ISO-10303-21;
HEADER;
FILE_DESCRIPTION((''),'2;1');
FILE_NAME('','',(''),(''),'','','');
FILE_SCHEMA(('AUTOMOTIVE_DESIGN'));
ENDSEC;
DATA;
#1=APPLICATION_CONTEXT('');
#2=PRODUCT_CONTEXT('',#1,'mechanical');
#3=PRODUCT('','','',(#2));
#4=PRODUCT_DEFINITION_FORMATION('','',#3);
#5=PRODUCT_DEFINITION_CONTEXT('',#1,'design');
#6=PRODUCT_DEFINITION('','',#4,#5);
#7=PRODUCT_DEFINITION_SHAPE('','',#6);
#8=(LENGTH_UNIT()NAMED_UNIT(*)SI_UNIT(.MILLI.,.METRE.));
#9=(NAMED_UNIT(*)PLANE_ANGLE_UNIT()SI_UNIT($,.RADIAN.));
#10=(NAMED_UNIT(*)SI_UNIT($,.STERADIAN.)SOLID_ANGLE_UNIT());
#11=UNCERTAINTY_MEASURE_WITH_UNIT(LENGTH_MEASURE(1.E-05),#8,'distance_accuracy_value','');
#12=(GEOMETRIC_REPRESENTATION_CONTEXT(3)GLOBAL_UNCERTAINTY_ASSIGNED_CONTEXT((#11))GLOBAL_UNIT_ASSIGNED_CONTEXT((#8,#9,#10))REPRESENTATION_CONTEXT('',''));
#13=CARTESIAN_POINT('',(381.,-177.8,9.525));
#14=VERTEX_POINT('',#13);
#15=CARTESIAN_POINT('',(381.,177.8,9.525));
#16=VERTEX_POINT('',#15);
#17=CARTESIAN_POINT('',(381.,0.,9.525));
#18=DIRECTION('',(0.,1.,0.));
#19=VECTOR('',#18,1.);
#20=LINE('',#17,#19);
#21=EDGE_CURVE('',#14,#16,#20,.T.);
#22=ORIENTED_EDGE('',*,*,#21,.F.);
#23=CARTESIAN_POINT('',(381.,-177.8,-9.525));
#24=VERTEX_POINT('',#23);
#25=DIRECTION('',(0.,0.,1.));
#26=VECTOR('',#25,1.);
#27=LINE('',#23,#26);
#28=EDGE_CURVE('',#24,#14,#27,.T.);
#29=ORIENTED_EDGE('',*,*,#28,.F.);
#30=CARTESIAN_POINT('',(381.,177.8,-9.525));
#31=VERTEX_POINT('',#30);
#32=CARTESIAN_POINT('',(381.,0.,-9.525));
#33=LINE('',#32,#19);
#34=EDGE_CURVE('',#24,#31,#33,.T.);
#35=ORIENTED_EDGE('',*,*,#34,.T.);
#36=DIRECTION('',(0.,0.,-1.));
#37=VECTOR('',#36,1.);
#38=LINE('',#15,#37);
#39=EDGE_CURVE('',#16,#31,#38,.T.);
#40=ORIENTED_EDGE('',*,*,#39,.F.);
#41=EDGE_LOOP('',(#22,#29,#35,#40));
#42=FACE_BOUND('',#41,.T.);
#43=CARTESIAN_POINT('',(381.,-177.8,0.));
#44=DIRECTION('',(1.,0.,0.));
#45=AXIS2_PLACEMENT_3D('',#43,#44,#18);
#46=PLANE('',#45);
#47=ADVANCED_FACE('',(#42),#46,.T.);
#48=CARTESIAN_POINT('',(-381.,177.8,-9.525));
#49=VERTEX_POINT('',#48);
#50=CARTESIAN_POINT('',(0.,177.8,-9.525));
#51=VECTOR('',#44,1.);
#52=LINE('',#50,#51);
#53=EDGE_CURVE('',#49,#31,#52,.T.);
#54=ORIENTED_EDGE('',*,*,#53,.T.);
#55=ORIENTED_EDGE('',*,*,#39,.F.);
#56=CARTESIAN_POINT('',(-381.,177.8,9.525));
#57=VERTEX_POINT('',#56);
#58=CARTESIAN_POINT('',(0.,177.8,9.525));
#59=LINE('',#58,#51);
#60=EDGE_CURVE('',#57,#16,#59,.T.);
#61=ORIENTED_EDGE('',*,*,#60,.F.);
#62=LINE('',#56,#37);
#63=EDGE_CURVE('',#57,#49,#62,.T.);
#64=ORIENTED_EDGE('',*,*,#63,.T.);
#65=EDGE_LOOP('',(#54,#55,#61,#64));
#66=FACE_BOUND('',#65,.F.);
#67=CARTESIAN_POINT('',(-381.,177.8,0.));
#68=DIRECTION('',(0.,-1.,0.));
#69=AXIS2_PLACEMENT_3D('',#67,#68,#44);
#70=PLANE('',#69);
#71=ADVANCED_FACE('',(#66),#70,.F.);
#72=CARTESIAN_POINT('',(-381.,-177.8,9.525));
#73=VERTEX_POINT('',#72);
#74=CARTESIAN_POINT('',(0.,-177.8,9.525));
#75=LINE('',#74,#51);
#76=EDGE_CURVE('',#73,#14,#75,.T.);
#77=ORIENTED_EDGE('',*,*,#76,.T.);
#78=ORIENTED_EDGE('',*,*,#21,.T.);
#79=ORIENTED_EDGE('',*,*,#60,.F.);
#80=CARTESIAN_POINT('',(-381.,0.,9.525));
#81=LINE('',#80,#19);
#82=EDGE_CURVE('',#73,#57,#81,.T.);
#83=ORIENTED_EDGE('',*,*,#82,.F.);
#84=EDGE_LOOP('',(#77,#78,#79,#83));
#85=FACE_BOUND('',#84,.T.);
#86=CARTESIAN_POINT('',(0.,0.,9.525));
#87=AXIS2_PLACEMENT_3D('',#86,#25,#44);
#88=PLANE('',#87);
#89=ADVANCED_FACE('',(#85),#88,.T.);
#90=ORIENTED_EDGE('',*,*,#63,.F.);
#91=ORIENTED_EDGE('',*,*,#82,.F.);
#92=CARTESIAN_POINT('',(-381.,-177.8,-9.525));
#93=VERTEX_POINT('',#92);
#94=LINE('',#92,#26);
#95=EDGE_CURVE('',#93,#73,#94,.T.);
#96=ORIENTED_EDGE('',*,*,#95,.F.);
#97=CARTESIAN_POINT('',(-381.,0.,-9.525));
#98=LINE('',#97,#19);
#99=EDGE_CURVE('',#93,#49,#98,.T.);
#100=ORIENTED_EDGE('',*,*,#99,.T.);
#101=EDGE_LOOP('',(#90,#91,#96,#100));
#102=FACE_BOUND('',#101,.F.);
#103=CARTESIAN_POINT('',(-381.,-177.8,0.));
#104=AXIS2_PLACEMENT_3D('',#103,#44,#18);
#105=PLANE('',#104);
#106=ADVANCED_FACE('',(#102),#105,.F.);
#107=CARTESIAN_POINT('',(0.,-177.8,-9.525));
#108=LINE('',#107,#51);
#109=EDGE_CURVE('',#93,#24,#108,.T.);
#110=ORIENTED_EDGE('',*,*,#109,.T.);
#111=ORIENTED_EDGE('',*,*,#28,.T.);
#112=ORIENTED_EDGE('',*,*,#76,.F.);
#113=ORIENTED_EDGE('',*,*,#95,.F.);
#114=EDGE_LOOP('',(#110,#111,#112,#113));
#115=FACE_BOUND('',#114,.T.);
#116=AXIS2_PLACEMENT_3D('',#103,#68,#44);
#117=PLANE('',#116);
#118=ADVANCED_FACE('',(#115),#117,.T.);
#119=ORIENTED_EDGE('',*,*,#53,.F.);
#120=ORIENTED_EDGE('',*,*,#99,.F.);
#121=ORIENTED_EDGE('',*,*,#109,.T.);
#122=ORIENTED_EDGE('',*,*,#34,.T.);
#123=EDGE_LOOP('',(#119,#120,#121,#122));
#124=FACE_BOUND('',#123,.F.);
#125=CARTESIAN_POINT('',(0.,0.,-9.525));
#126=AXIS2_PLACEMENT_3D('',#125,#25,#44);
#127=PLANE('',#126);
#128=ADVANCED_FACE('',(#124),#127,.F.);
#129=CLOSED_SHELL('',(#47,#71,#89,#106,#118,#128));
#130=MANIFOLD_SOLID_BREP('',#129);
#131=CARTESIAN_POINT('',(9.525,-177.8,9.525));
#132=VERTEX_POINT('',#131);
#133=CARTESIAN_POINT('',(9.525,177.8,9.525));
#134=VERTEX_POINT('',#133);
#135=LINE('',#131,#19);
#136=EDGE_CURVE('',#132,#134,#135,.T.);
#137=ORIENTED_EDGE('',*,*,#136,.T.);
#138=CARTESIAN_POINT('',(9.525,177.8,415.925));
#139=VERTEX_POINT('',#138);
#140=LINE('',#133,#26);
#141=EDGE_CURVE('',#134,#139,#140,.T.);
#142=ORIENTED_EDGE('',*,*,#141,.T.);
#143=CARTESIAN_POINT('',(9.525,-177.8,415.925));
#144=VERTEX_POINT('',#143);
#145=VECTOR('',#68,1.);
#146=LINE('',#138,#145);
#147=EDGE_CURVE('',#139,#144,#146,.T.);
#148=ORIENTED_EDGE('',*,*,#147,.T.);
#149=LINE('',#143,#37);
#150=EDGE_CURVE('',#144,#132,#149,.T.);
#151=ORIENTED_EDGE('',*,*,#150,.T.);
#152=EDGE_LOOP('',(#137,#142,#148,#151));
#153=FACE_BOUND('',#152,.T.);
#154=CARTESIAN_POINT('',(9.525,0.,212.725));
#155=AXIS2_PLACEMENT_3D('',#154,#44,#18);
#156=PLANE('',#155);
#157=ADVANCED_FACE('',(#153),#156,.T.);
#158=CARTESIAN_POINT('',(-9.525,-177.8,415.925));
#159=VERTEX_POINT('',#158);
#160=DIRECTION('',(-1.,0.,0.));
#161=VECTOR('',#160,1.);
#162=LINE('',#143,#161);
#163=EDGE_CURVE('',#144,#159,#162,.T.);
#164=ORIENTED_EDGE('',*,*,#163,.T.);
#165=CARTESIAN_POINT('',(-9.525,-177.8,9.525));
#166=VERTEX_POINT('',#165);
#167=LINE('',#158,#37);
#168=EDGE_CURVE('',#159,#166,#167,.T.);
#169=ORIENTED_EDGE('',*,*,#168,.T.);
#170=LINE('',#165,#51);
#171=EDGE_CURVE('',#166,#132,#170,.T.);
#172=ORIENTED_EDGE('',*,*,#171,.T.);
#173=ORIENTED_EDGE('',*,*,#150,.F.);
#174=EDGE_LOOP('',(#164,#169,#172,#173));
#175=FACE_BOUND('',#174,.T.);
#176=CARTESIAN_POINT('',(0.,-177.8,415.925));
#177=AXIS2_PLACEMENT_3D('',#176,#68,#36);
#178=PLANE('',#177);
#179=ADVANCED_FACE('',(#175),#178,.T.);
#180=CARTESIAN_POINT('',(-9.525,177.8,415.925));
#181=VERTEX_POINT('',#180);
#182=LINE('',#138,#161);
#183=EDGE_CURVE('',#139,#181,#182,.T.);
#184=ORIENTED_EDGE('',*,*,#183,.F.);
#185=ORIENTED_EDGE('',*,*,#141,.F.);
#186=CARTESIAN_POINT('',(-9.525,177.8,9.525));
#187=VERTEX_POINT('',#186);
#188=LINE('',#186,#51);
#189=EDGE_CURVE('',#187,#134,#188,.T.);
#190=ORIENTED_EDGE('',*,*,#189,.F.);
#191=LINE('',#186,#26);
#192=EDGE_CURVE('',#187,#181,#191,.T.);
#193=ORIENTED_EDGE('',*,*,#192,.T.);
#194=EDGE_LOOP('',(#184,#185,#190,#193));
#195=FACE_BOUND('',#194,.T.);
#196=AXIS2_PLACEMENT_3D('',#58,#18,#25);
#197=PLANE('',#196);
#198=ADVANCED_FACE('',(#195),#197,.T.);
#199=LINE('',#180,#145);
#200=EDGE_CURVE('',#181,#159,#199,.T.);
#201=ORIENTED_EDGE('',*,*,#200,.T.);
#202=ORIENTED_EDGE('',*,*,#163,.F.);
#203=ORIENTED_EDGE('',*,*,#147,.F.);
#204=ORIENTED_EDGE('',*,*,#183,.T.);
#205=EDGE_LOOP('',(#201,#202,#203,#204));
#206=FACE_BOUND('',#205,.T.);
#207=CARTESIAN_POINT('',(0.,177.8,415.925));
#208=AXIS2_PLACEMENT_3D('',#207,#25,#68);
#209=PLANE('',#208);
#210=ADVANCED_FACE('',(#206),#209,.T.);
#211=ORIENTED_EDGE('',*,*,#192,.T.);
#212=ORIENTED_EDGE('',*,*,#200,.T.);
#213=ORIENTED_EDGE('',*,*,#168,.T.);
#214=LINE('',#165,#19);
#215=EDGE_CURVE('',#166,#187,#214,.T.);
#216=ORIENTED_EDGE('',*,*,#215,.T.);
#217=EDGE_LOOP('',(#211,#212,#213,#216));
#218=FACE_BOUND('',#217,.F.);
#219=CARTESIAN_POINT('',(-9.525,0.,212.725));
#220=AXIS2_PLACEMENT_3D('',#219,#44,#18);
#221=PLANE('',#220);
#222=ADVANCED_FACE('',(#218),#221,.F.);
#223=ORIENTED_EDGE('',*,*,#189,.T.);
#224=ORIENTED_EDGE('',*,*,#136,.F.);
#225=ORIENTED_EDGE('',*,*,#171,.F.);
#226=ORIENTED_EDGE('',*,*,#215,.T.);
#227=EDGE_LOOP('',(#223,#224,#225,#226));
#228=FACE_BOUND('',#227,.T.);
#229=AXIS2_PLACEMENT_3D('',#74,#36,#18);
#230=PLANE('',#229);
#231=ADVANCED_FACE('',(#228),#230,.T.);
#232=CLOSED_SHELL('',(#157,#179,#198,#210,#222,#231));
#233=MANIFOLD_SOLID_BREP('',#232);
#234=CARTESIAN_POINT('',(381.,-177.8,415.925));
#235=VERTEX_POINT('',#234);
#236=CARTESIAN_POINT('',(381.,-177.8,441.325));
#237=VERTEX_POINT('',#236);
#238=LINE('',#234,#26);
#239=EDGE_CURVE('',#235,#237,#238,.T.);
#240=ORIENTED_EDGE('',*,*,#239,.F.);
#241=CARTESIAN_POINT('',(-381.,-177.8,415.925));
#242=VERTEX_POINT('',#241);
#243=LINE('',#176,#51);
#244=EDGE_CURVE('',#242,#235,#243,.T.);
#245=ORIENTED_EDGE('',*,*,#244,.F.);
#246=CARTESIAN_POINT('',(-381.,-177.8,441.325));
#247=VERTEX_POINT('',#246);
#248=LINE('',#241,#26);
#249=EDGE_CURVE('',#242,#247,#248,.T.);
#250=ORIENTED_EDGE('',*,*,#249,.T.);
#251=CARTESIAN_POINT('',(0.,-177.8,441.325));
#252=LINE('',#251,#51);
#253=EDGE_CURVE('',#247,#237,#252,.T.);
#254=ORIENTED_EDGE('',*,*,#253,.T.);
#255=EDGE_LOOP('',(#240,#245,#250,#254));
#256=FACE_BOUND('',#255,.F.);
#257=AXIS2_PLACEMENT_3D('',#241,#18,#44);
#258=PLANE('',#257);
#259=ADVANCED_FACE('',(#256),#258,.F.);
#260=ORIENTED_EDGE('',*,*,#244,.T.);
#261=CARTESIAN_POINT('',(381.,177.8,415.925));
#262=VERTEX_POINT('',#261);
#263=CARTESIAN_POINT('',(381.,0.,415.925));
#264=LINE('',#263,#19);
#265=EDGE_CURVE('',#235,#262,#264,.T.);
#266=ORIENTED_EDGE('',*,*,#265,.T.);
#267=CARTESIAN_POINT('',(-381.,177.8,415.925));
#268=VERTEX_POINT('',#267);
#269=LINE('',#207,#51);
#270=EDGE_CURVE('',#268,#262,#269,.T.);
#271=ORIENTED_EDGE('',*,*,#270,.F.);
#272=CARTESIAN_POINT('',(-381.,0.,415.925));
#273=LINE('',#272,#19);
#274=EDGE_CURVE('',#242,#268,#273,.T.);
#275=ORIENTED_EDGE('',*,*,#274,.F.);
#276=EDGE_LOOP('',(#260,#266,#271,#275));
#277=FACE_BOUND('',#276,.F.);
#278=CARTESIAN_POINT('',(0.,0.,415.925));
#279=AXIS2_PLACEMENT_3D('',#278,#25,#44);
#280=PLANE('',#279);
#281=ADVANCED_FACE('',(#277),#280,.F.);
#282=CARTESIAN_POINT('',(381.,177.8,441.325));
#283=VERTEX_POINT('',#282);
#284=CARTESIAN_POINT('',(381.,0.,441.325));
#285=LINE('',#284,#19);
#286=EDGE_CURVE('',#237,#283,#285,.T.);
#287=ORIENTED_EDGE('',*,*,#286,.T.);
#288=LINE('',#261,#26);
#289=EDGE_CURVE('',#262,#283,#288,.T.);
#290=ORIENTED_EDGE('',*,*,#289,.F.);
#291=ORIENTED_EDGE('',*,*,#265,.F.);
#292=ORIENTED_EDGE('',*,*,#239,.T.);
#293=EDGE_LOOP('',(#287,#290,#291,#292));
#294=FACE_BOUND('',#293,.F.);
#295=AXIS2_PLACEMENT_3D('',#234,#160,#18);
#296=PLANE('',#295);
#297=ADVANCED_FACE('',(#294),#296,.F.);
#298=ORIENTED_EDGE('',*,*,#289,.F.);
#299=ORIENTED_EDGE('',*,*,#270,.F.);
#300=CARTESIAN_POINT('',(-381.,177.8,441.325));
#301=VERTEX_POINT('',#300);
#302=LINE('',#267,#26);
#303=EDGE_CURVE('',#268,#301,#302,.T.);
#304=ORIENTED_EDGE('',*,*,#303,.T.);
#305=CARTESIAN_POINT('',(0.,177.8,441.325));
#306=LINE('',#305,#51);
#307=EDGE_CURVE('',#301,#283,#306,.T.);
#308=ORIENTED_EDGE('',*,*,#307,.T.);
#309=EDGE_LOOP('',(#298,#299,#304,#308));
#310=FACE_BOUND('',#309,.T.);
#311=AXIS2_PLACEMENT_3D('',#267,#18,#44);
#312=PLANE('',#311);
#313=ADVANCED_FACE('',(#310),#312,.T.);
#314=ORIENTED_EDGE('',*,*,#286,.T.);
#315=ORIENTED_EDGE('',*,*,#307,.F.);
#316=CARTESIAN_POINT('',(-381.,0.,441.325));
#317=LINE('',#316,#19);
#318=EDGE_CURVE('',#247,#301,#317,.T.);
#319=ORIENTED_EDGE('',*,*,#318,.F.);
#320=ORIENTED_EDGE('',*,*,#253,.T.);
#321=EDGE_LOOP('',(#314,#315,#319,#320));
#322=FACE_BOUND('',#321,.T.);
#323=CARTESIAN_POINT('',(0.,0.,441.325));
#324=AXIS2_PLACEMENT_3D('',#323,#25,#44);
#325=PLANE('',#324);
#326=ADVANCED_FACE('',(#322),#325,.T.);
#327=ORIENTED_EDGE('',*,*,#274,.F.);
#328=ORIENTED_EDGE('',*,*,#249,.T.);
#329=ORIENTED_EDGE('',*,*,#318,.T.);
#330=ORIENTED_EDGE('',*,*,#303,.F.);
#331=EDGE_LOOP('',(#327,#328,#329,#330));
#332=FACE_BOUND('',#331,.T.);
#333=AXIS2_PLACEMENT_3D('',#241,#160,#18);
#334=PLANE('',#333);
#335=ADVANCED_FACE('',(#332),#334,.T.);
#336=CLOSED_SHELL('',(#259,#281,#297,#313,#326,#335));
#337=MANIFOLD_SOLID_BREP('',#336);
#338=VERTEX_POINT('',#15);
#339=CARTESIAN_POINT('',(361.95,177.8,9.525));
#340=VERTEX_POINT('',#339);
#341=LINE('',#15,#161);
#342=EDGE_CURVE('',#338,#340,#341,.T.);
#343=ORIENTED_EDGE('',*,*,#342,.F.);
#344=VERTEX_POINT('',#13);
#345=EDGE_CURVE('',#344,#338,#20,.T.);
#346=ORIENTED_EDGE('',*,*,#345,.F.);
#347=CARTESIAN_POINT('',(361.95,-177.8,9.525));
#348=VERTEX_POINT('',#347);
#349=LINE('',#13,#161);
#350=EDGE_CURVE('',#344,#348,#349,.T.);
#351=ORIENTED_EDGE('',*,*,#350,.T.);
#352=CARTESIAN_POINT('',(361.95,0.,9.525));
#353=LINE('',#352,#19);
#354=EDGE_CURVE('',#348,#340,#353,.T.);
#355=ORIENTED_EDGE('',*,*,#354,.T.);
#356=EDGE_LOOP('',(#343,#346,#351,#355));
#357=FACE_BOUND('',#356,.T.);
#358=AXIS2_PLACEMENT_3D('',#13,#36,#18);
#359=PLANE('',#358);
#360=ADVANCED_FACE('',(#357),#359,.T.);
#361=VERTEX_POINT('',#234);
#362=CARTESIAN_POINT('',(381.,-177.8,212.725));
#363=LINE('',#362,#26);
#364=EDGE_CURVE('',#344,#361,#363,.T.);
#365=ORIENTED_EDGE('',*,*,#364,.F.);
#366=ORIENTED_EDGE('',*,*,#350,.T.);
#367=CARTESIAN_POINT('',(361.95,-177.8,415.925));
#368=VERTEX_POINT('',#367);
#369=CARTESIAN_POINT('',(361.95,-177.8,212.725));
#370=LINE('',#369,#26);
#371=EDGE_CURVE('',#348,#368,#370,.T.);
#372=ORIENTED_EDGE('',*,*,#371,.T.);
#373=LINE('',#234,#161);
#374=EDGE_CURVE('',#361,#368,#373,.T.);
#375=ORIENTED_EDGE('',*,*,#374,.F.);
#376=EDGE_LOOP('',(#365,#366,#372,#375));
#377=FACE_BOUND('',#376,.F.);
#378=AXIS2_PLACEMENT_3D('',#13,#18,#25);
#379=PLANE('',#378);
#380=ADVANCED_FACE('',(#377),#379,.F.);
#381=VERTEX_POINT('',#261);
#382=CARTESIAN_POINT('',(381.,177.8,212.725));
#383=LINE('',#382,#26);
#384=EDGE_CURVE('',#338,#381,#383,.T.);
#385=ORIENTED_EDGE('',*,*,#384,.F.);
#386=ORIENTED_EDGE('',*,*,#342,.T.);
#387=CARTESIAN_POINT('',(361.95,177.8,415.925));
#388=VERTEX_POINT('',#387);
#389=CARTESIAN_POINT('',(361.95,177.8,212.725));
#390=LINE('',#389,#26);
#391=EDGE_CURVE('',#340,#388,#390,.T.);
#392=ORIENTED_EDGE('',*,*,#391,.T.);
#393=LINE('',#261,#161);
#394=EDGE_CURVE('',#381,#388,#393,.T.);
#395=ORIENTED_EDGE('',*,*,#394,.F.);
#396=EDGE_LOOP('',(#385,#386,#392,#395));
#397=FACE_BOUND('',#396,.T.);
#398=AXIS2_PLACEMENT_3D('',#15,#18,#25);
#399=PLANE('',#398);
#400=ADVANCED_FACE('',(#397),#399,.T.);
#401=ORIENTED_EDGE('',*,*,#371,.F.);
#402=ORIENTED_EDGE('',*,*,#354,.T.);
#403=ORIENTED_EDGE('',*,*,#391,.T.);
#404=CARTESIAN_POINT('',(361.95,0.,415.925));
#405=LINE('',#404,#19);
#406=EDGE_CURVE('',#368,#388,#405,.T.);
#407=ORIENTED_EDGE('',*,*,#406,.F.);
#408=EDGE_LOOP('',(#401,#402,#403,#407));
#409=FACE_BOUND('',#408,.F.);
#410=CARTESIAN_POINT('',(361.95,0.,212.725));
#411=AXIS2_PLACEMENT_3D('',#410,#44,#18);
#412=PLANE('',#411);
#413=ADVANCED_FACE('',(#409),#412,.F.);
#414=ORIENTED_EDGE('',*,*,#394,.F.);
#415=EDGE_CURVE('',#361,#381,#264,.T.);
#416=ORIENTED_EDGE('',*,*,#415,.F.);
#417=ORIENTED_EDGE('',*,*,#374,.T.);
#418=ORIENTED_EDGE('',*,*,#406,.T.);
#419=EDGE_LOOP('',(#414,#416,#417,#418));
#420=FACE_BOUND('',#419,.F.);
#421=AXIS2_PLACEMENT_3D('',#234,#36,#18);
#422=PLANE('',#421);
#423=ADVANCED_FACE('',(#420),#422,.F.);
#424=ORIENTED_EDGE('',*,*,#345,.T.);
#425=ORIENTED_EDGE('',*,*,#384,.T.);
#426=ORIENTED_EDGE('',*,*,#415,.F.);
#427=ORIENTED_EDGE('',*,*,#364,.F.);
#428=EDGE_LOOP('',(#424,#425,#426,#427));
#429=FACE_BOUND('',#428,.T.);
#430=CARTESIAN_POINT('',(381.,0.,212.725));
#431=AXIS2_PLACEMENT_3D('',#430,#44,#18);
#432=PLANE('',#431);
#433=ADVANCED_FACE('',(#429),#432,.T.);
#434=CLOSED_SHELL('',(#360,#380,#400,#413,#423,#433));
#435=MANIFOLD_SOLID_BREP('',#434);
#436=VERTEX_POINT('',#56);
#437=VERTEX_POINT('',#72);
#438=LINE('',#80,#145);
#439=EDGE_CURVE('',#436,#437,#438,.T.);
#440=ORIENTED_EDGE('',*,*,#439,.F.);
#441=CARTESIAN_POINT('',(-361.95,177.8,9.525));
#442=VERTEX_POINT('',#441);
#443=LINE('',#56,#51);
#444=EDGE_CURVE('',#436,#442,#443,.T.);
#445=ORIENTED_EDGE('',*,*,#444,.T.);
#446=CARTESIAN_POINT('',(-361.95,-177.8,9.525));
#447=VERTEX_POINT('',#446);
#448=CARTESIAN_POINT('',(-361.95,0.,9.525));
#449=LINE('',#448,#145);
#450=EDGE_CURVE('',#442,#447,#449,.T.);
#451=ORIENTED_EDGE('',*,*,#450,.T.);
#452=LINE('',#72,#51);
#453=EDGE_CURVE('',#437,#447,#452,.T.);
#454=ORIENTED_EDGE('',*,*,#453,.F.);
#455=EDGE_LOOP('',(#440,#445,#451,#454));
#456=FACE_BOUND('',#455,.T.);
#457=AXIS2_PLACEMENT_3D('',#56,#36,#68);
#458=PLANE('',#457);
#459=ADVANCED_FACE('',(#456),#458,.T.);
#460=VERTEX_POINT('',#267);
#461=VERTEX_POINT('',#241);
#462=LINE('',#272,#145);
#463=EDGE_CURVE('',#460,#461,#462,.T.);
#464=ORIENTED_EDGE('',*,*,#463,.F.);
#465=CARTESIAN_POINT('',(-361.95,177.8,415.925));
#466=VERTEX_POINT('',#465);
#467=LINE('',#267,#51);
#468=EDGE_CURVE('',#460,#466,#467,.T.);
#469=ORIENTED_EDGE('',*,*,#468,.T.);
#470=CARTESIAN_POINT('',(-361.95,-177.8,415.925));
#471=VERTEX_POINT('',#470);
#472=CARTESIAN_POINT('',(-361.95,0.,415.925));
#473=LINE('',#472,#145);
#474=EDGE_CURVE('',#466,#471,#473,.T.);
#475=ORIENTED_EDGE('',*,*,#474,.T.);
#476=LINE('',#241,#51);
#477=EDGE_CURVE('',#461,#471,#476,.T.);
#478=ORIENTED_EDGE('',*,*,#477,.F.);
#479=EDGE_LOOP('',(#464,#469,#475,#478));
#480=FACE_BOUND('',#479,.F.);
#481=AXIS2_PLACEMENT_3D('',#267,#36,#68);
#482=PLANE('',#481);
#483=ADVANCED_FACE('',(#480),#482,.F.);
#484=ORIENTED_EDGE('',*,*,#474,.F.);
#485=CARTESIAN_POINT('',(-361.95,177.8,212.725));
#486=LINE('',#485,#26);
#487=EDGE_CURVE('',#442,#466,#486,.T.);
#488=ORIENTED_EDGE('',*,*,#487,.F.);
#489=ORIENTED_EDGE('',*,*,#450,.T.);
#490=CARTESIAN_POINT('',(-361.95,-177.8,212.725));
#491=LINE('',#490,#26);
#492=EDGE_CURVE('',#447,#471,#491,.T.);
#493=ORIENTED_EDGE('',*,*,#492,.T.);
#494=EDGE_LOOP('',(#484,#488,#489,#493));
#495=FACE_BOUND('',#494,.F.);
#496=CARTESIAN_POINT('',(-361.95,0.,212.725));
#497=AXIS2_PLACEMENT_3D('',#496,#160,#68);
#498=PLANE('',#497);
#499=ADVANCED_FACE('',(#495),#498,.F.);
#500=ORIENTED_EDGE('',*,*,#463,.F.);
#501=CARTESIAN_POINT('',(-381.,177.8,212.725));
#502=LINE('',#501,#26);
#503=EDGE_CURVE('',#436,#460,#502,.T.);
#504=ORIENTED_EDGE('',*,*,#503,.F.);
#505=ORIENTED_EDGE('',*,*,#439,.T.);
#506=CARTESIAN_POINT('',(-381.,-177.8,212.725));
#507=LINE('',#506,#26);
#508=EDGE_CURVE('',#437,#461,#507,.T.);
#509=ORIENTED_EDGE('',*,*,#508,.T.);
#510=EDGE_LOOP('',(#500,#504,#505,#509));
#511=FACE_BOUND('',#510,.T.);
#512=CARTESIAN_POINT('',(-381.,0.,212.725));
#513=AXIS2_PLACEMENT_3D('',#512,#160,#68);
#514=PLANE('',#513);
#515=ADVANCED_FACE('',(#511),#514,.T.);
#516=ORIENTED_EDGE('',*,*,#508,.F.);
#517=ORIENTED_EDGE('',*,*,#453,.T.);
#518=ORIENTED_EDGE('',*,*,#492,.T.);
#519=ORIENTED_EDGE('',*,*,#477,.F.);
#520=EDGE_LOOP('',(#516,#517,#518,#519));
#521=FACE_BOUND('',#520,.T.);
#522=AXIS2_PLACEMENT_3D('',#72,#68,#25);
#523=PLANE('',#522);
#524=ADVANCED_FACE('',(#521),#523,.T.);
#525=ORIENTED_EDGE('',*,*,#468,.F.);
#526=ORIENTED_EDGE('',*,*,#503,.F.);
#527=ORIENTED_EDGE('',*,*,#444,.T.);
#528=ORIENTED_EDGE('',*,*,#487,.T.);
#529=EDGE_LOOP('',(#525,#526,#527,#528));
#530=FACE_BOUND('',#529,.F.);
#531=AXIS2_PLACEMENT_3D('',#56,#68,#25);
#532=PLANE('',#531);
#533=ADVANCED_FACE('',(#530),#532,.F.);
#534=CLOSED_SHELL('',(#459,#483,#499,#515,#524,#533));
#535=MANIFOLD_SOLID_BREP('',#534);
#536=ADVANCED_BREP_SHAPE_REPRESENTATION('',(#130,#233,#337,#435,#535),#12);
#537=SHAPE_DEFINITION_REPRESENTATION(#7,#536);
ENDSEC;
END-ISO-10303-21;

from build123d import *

# Parameters (mm, degrees)
F0_W     = 762
F0_H     = 355.6
F1_DEPTH = 9.525
F2_W     = 355.6
F2_H     = 406.4
F3_DEPTH = 19.05
F5_DEPTH = 9.525
F6_W     = 355.6
F6_H     = 406.4
F7_DEPTH = 19.05
F8_W     = 762
F8_H     = 355.6
F9_DEPTH = 25.4


with BuildPart() as f1:
    # F0 (on Top) → F1 (new body, symmetric)
    with BuildSketch(Plane.XY):
        Rectangle(F0_W, F0_H)
    extrude(amount=F1_DEPTH, both=True)


with BuildPart() as f3:
    # F2 (on face) → F3 (new body)
    with BuildSketch(Plane.YZ.offset(381)):
        with Locations((0, 212.725)):
            Rectangle(F2_W, F2_H)
    extrude(amount=-F3_DEPTH)


with BuildPart() as f5:
    # F4 (on Right) → F5 (new body, symmetric)
    with BuildSketch(Plane.YZ):
        Polygon((-177.8, 415.925), (-177.8, 9.525), (177.8, 9.525), (177.8, 415.925), (88.9, 415.925), align=None)
    extrude(amount=F5_DEPTH, both=True)


with BuildPart() as f7:
    # F6 (on face) → F7 (new body)
    with BuildSketch(Plane(origin=(-381, 0, 0), x_dir=(0, -1, 0), z_dir=(-1, 0, 0))):
        with Locations((0, 212.725)):
            Rectangle(F6_W, F6_H)
    extrude(amount=-F7_DEPTH)


with BuildPart() as f9:
    # F8 (on face) → F9 (new body)
    with BuildSketch(Plane.XY.offset(415.925)):
        Rectangle(F8_W, F8_H)
    extrude(amount=F9_DEPTH)


solid = Compound([f1.part, f3.part, f5.part, f7.part, f9.part])
